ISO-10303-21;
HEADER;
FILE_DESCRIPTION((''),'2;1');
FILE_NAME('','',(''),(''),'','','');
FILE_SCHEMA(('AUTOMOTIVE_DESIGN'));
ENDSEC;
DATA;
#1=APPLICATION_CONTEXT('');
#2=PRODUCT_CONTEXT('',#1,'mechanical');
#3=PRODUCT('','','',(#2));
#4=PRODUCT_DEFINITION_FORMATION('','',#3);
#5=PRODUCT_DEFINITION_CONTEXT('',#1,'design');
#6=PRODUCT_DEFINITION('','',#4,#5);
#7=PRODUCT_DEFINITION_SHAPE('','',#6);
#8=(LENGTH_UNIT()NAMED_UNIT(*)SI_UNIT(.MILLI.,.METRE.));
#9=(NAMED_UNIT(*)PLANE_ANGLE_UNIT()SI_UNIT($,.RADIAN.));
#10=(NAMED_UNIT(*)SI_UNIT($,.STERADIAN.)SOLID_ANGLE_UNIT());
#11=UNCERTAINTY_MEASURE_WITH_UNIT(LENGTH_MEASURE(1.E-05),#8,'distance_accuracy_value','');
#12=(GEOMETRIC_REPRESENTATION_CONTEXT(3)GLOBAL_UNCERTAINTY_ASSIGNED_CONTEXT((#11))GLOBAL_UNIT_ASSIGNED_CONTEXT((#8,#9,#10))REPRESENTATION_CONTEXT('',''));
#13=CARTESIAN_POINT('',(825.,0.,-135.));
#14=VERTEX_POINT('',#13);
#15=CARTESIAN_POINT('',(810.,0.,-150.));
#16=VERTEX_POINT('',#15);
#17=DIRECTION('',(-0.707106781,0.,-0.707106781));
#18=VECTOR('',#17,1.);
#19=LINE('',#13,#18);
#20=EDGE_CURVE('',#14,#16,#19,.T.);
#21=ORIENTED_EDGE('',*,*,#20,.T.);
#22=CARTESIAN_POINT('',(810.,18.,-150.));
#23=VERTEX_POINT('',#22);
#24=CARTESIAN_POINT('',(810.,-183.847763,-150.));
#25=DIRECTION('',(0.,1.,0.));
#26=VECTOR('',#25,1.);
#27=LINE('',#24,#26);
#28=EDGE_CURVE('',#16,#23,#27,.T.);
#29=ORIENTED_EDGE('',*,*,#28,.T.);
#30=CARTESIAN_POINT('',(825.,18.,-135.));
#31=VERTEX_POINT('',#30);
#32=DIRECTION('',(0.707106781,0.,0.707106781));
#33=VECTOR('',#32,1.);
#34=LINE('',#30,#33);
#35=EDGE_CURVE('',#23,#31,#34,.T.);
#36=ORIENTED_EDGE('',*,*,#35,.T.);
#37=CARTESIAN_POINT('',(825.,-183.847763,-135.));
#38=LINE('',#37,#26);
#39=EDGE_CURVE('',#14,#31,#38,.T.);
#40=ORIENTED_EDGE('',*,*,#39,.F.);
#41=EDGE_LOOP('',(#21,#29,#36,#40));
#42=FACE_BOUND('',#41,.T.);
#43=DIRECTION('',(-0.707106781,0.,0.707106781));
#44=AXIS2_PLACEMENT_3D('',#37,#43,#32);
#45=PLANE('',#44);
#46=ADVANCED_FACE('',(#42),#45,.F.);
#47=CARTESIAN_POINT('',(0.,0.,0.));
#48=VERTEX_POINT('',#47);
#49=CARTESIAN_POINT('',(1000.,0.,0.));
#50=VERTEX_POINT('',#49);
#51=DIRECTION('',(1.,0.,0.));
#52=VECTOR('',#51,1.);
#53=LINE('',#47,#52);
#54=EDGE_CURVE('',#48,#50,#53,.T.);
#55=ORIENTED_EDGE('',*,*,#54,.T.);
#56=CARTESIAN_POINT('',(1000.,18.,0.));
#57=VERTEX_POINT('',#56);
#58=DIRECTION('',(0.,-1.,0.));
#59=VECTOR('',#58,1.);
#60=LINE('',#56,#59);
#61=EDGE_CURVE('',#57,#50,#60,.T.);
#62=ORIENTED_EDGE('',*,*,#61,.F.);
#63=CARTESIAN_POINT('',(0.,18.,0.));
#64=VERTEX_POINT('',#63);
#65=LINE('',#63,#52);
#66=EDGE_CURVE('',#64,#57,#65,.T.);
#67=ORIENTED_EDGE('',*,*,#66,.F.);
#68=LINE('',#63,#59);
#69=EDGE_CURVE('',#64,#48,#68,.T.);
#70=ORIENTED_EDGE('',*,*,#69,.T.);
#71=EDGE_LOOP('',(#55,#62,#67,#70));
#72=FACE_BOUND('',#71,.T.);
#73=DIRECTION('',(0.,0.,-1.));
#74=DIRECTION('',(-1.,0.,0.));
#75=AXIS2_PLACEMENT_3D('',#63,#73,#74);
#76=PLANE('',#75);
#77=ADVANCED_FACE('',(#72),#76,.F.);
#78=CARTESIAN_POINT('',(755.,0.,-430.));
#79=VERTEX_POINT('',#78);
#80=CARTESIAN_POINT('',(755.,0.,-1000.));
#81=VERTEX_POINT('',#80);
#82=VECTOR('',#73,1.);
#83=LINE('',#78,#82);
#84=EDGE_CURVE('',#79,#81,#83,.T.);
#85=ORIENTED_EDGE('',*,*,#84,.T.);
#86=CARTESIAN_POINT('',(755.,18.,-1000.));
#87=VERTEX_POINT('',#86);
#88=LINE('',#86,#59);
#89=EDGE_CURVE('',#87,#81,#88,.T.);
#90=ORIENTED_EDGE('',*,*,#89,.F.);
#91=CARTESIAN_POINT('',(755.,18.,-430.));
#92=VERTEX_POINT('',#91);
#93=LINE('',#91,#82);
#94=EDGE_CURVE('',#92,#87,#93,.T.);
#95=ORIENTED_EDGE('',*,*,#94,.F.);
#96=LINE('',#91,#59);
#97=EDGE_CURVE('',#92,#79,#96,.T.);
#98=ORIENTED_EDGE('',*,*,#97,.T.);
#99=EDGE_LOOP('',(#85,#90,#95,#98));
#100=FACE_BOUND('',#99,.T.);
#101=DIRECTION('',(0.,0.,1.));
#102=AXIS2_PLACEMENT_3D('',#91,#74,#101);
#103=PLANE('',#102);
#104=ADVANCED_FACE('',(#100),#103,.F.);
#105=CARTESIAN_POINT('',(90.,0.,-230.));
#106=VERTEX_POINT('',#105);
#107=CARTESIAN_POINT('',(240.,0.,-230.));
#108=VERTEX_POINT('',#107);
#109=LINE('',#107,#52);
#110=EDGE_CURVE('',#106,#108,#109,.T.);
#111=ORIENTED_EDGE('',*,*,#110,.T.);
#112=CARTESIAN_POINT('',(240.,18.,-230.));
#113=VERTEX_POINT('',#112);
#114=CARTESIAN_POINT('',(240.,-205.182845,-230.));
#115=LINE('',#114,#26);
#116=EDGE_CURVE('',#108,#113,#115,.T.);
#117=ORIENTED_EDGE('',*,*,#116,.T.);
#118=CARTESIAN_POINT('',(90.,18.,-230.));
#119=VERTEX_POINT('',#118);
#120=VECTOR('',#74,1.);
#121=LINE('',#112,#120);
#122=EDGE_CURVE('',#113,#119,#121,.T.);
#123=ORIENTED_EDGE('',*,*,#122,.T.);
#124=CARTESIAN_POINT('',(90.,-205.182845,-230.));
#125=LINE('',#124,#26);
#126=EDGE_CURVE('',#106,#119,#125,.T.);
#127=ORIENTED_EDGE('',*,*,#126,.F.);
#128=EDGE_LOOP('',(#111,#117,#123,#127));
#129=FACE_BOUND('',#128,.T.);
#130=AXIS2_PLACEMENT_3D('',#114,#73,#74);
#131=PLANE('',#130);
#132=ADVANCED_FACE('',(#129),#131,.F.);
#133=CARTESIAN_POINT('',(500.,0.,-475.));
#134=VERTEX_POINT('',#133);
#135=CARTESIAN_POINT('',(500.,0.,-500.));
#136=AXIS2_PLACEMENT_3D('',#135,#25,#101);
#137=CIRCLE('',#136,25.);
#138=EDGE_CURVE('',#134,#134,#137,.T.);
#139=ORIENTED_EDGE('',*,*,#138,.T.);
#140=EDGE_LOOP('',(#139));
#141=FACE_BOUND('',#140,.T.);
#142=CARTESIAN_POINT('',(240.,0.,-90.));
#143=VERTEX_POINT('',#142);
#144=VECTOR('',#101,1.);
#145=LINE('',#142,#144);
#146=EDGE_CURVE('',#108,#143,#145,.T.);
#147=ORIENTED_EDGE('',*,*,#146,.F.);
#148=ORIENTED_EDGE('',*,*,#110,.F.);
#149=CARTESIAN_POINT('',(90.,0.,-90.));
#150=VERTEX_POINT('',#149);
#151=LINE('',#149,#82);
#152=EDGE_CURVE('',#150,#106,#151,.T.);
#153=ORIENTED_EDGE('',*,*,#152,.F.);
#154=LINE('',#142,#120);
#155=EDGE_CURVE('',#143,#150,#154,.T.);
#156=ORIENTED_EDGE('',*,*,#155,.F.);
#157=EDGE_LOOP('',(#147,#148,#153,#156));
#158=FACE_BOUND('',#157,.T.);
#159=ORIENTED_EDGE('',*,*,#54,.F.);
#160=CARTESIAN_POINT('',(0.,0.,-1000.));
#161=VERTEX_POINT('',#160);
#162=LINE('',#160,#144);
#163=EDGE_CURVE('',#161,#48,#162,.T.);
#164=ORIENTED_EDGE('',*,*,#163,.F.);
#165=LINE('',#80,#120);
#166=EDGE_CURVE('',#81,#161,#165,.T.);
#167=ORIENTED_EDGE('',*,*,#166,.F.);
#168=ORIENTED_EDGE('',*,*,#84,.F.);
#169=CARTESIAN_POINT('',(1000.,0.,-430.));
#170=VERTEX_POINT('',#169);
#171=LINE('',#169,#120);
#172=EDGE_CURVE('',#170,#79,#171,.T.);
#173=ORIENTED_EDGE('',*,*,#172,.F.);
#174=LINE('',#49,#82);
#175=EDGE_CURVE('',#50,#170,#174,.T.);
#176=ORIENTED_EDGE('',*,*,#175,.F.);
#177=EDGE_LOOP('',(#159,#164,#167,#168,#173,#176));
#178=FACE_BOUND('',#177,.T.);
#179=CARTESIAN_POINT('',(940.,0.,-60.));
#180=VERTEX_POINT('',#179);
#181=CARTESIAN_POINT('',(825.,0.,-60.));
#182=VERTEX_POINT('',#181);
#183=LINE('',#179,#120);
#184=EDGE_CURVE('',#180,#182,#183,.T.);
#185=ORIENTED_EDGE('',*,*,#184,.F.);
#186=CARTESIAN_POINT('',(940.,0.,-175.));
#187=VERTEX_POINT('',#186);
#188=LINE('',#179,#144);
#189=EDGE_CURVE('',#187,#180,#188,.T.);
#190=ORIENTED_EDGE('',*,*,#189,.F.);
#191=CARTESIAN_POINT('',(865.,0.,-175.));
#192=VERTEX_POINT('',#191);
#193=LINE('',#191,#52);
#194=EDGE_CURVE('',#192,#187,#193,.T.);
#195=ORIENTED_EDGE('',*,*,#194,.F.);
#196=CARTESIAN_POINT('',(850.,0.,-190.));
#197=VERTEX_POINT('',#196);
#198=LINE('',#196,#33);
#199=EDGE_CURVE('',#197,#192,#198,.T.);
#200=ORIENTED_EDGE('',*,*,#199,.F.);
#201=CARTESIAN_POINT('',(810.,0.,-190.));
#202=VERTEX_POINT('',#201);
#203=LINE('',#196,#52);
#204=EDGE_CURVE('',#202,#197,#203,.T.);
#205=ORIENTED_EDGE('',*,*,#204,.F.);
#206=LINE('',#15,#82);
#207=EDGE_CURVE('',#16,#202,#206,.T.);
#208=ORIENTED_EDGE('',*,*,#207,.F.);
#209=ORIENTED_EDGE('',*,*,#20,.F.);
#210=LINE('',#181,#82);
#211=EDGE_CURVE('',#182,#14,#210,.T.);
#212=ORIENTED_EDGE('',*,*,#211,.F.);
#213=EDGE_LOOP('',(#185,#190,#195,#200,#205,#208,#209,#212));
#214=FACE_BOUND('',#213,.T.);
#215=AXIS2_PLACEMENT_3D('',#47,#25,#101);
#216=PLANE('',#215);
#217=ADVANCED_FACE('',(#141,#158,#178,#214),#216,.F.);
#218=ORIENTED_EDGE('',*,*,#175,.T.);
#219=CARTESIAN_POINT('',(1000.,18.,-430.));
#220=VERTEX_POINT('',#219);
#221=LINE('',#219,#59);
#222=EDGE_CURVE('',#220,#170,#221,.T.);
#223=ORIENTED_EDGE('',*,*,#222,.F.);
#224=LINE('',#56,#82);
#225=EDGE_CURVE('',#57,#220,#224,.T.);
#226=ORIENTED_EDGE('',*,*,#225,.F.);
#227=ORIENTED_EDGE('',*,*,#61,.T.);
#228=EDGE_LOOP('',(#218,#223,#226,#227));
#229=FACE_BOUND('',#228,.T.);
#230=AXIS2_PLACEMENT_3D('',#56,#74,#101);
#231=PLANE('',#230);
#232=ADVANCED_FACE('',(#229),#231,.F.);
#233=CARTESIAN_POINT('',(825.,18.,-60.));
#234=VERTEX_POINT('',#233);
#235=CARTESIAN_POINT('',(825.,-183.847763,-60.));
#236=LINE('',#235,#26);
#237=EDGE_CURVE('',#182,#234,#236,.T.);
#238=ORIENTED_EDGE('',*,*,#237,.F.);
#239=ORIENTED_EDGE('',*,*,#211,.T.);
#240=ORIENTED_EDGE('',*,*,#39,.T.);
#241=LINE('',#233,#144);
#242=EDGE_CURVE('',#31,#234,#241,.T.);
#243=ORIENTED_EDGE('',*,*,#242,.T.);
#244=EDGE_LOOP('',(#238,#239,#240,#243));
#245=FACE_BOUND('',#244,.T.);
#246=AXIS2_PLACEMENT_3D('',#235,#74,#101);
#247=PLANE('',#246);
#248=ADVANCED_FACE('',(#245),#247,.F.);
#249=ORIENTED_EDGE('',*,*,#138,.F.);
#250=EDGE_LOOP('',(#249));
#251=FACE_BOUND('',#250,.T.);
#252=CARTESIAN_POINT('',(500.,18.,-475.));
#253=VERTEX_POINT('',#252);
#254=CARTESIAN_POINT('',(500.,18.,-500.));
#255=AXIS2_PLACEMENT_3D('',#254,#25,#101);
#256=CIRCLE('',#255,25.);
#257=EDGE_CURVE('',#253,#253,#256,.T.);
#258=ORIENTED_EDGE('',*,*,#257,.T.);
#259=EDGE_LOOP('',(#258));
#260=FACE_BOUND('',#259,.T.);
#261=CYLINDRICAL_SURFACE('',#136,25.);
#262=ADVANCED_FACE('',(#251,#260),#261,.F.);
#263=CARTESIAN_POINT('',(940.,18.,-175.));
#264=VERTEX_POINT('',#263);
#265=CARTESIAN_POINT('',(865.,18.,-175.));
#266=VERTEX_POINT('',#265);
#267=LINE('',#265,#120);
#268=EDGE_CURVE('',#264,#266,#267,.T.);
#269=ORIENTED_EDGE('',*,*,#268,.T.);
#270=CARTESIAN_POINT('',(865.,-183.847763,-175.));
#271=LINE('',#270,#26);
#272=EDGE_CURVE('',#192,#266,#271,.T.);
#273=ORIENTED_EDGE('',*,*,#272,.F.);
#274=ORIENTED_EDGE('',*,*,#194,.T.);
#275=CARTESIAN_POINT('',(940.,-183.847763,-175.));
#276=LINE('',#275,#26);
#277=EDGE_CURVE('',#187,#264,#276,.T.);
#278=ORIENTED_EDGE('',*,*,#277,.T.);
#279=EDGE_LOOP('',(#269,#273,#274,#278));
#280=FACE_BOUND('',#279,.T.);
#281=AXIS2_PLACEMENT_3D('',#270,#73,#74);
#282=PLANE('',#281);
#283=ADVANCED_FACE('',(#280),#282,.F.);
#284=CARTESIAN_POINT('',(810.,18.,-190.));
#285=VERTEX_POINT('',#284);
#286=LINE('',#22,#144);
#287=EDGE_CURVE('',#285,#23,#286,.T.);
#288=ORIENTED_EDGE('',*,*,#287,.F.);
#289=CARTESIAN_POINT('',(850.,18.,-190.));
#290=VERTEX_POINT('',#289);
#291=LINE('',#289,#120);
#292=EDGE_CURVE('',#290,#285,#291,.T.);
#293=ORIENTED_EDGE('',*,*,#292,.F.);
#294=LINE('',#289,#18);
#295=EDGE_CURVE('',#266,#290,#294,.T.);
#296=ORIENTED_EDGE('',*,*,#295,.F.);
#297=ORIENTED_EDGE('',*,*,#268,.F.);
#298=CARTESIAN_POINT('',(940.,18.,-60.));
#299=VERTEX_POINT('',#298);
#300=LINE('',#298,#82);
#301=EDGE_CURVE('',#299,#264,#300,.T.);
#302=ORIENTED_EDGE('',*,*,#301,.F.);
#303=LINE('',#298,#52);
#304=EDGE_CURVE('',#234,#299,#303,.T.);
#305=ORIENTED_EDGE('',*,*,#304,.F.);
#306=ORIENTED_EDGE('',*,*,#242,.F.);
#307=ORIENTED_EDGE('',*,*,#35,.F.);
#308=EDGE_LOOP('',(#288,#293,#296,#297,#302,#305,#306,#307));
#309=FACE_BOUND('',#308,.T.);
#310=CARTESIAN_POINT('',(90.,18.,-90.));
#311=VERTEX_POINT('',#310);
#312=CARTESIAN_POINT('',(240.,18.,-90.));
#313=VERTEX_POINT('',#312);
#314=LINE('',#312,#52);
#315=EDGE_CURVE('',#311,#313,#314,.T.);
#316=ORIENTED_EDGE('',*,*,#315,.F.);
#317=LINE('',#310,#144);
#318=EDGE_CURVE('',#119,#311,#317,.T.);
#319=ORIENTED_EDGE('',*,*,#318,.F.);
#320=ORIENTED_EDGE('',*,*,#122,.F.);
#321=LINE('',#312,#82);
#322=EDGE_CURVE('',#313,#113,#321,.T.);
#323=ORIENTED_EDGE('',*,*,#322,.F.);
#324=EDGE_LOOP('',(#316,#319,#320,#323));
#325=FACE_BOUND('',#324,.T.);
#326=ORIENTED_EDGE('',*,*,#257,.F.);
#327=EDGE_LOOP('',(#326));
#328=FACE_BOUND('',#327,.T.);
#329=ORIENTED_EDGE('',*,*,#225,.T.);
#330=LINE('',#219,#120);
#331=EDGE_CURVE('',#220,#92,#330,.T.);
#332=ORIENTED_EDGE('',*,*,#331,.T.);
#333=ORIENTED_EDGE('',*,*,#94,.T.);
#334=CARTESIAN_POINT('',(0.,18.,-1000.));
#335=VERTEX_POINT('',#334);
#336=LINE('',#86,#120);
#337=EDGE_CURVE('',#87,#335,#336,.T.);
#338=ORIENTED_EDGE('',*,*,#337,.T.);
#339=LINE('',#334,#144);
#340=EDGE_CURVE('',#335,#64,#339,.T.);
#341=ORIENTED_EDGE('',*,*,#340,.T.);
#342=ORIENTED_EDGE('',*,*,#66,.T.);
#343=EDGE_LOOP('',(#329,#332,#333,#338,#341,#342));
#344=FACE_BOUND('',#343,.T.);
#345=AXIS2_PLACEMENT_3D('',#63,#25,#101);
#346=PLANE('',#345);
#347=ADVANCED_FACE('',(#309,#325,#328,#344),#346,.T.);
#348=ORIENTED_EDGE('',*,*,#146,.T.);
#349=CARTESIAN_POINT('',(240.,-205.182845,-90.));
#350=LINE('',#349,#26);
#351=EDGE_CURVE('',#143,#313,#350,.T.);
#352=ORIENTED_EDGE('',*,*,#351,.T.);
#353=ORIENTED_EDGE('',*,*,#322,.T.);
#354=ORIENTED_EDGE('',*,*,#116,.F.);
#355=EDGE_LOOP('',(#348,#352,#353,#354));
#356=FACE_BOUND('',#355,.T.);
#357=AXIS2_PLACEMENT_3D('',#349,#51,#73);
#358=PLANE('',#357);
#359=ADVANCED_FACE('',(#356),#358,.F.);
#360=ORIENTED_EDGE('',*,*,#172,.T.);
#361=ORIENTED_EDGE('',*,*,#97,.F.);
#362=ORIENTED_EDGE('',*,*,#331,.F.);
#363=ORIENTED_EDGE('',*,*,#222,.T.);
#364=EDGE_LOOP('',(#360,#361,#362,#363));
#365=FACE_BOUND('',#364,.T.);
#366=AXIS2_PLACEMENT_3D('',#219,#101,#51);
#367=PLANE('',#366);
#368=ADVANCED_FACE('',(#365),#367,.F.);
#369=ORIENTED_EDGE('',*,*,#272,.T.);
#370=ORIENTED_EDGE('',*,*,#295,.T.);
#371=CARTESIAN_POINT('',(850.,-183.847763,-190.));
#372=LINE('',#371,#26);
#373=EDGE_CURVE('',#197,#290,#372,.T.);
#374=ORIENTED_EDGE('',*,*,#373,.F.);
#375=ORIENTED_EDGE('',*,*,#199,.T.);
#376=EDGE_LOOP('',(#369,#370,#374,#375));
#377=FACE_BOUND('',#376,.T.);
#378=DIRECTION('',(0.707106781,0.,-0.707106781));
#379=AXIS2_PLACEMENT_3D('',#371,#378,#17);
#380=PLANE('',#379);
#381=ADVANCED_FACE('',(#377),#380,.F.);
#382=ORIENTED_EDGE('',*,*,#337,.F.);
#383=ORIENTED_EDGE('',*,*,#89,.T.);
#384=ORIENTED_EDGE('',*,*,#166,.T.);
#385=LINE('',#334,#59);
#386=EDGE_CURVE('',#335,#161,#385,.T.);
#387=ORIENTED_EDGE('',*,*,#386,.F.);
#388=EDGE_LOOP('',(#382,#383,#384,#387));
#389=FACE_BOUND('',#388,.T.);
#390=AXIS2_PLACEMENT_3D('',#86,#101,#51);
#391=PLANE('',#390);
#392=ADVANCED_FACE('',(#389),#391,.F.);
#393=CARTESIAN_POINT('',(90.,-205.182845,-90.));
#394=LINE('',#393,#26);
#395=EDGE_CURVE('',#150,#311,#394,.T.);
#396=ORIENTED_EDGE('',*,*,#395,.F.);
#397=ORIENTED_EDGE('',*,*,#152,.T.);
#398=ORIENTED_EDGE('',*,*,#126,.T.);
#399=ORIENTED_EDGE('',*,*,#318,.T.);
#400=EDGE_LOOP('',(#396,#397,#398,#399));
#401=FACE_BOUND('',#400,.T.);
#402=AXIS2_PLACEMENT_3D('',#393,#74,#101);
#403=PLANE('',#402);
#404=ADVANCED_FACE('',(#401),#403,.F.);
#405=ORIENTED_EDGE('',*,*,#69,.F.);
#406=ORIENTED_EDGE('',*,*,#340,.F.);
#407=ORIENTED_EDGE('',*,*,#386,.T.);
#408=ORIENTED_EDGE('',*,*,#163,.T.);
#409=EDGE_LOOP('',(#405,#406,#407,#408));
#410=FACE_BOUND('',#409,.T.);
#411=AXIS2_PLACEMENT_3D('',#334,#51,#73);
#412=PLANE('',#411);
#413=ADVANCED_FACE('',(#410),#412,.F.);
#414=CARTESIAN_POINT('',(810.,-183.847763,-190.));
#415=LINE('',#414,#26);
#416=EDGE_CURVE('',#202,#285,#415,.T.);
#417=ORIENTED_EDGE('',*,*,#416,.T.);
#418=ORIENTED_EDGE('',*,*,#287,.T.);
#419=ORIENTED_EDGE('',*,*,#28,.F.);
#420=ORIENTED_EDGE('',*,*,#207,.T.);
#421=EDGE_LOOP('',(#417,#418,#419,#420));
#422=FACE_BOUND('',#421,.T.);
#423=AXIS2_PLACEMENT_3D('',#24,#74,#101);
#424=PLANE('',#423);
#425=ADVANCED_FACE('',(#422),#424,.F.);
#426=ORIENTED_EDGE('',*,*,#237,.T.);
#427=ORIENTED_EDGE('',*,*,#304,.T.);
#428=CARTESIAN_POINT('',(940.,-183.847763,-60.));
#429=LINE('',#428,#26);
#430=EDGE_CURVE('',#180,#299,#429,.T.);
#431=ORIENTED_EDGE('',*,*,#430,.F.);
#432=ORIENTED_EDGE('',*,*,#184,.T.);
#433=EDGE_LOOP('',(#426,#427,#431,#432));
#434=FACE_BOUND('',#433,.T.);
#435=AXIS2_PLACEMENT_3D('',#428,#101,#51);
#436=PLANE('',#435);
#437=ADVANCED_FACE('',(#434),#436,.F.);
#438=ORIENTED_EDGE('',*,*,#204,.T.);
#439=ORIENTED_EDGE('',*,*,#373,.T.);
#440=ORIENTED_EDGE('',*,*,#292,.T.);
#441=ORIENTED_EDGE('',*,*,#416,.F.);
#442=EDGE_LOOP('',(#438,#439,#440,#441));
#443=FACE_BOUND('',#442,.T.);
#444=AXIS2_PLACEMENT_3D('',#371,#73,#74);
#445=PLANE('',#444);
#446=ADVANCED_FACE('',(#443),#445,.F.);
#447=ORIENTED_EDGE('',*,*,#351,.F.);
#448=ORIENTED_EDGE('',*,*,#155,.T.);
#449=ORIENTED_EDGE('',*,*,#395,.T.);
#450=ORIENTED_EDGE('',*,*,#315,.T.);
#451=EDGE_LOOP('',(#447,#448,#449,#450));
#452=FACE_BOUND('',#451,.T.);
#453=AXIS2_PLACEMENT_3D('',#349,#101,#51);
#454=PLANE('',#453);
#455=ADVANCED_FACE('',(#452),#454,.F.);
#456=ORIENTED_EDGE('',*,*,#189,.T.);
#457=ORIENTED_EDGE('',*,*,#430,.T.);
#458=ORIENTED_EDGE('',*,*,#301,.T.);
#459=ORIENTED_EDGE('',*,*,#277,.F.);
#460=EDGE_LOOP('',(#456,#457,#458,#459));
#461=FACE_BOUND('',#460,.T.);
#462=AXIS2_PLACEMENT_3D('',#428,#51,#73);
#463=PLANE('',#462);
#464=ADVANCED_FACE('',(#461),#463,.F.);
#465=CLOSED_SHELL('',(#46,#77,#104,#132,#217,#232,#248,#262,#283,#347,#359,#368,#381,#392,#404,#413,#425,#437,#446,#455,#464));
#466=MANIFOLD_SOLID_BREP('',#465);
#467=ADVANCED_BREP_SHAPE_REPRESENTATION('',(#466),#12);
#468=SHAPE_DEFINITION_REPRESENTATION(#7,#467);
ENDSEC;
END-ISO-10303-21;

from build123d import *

# Parameters (mm, degrees)
BOSS_EXTRUDE1_DEPTH = 18
SKETCH3_W           = 150
SKETCH3_H           = 140
CUT_EXTRUDE2_DEPTH  = 18
CUT_EXTRUDE3_DEPTH  = 18
SKETCH5_R           = 25
CUT_EXTRUDE4_DEPTH  = 1415.328109033


with BuildPart() as part:
    # Sketch1 → Boss-Extrude1 (new body)
    with BuildSketch(Plane(origin=(0, 0, 0), x_dir=(1, 0, 0), z_dir=(0, 1, 0))):
        Polygon((0, 0), (1000, 0), (1000, 430), (755, 430), (755, 1000), (0, 1000), align=None)
    extrude(amount=BOSS_EXTRUDE1_DEPTH)

    # Sketch3 → Cut-Extrude2 (cut)
    with BuildSketch(Plane(origin=(0, 18, 0), x_dir=(1, 0, 0), z_dir=(0, 1, 0))):
        with Locations((165, 160)):
            Rectangle(SKETCH3_W, SKETCH3_H)
    extrude(amount=-CUT_EXTRUDE2_DEPTH, mode=Mode.SUBTRACT)

    # Sketch4 → Cut-Extrude3 (cut)
    with BuildSketch(Plane(origin=(0, 18, 0), x_dir=(1, 0, 0), z_dir=(0, 1, 0))):
        Polygon((940, 60), (940, 175), (865, 175), (850, 190), (810, 190), (810, 150), (825, 135), (825, 60), align=None)
    extrude(amount=-CUT_EXTRUDE3_DEPTH, mode=Mode.SUBTRACT)

    # Sketch5 → Cut-Extrude4 (cut, through all)
    with BuildSketch(Plane(origin=(0, 18, 0), x_dir=(1, 0, 0), z_dir=(0, 1, 0))):
        with Locations(Location((500, 500, 0), (0, 0, 270))):
            Circle(SKETCH5_R)
    extrude(amount=-CUT_EXTRUDE4_DEPTH, mode=Mode.SUBTRACT)


solid = part.part
